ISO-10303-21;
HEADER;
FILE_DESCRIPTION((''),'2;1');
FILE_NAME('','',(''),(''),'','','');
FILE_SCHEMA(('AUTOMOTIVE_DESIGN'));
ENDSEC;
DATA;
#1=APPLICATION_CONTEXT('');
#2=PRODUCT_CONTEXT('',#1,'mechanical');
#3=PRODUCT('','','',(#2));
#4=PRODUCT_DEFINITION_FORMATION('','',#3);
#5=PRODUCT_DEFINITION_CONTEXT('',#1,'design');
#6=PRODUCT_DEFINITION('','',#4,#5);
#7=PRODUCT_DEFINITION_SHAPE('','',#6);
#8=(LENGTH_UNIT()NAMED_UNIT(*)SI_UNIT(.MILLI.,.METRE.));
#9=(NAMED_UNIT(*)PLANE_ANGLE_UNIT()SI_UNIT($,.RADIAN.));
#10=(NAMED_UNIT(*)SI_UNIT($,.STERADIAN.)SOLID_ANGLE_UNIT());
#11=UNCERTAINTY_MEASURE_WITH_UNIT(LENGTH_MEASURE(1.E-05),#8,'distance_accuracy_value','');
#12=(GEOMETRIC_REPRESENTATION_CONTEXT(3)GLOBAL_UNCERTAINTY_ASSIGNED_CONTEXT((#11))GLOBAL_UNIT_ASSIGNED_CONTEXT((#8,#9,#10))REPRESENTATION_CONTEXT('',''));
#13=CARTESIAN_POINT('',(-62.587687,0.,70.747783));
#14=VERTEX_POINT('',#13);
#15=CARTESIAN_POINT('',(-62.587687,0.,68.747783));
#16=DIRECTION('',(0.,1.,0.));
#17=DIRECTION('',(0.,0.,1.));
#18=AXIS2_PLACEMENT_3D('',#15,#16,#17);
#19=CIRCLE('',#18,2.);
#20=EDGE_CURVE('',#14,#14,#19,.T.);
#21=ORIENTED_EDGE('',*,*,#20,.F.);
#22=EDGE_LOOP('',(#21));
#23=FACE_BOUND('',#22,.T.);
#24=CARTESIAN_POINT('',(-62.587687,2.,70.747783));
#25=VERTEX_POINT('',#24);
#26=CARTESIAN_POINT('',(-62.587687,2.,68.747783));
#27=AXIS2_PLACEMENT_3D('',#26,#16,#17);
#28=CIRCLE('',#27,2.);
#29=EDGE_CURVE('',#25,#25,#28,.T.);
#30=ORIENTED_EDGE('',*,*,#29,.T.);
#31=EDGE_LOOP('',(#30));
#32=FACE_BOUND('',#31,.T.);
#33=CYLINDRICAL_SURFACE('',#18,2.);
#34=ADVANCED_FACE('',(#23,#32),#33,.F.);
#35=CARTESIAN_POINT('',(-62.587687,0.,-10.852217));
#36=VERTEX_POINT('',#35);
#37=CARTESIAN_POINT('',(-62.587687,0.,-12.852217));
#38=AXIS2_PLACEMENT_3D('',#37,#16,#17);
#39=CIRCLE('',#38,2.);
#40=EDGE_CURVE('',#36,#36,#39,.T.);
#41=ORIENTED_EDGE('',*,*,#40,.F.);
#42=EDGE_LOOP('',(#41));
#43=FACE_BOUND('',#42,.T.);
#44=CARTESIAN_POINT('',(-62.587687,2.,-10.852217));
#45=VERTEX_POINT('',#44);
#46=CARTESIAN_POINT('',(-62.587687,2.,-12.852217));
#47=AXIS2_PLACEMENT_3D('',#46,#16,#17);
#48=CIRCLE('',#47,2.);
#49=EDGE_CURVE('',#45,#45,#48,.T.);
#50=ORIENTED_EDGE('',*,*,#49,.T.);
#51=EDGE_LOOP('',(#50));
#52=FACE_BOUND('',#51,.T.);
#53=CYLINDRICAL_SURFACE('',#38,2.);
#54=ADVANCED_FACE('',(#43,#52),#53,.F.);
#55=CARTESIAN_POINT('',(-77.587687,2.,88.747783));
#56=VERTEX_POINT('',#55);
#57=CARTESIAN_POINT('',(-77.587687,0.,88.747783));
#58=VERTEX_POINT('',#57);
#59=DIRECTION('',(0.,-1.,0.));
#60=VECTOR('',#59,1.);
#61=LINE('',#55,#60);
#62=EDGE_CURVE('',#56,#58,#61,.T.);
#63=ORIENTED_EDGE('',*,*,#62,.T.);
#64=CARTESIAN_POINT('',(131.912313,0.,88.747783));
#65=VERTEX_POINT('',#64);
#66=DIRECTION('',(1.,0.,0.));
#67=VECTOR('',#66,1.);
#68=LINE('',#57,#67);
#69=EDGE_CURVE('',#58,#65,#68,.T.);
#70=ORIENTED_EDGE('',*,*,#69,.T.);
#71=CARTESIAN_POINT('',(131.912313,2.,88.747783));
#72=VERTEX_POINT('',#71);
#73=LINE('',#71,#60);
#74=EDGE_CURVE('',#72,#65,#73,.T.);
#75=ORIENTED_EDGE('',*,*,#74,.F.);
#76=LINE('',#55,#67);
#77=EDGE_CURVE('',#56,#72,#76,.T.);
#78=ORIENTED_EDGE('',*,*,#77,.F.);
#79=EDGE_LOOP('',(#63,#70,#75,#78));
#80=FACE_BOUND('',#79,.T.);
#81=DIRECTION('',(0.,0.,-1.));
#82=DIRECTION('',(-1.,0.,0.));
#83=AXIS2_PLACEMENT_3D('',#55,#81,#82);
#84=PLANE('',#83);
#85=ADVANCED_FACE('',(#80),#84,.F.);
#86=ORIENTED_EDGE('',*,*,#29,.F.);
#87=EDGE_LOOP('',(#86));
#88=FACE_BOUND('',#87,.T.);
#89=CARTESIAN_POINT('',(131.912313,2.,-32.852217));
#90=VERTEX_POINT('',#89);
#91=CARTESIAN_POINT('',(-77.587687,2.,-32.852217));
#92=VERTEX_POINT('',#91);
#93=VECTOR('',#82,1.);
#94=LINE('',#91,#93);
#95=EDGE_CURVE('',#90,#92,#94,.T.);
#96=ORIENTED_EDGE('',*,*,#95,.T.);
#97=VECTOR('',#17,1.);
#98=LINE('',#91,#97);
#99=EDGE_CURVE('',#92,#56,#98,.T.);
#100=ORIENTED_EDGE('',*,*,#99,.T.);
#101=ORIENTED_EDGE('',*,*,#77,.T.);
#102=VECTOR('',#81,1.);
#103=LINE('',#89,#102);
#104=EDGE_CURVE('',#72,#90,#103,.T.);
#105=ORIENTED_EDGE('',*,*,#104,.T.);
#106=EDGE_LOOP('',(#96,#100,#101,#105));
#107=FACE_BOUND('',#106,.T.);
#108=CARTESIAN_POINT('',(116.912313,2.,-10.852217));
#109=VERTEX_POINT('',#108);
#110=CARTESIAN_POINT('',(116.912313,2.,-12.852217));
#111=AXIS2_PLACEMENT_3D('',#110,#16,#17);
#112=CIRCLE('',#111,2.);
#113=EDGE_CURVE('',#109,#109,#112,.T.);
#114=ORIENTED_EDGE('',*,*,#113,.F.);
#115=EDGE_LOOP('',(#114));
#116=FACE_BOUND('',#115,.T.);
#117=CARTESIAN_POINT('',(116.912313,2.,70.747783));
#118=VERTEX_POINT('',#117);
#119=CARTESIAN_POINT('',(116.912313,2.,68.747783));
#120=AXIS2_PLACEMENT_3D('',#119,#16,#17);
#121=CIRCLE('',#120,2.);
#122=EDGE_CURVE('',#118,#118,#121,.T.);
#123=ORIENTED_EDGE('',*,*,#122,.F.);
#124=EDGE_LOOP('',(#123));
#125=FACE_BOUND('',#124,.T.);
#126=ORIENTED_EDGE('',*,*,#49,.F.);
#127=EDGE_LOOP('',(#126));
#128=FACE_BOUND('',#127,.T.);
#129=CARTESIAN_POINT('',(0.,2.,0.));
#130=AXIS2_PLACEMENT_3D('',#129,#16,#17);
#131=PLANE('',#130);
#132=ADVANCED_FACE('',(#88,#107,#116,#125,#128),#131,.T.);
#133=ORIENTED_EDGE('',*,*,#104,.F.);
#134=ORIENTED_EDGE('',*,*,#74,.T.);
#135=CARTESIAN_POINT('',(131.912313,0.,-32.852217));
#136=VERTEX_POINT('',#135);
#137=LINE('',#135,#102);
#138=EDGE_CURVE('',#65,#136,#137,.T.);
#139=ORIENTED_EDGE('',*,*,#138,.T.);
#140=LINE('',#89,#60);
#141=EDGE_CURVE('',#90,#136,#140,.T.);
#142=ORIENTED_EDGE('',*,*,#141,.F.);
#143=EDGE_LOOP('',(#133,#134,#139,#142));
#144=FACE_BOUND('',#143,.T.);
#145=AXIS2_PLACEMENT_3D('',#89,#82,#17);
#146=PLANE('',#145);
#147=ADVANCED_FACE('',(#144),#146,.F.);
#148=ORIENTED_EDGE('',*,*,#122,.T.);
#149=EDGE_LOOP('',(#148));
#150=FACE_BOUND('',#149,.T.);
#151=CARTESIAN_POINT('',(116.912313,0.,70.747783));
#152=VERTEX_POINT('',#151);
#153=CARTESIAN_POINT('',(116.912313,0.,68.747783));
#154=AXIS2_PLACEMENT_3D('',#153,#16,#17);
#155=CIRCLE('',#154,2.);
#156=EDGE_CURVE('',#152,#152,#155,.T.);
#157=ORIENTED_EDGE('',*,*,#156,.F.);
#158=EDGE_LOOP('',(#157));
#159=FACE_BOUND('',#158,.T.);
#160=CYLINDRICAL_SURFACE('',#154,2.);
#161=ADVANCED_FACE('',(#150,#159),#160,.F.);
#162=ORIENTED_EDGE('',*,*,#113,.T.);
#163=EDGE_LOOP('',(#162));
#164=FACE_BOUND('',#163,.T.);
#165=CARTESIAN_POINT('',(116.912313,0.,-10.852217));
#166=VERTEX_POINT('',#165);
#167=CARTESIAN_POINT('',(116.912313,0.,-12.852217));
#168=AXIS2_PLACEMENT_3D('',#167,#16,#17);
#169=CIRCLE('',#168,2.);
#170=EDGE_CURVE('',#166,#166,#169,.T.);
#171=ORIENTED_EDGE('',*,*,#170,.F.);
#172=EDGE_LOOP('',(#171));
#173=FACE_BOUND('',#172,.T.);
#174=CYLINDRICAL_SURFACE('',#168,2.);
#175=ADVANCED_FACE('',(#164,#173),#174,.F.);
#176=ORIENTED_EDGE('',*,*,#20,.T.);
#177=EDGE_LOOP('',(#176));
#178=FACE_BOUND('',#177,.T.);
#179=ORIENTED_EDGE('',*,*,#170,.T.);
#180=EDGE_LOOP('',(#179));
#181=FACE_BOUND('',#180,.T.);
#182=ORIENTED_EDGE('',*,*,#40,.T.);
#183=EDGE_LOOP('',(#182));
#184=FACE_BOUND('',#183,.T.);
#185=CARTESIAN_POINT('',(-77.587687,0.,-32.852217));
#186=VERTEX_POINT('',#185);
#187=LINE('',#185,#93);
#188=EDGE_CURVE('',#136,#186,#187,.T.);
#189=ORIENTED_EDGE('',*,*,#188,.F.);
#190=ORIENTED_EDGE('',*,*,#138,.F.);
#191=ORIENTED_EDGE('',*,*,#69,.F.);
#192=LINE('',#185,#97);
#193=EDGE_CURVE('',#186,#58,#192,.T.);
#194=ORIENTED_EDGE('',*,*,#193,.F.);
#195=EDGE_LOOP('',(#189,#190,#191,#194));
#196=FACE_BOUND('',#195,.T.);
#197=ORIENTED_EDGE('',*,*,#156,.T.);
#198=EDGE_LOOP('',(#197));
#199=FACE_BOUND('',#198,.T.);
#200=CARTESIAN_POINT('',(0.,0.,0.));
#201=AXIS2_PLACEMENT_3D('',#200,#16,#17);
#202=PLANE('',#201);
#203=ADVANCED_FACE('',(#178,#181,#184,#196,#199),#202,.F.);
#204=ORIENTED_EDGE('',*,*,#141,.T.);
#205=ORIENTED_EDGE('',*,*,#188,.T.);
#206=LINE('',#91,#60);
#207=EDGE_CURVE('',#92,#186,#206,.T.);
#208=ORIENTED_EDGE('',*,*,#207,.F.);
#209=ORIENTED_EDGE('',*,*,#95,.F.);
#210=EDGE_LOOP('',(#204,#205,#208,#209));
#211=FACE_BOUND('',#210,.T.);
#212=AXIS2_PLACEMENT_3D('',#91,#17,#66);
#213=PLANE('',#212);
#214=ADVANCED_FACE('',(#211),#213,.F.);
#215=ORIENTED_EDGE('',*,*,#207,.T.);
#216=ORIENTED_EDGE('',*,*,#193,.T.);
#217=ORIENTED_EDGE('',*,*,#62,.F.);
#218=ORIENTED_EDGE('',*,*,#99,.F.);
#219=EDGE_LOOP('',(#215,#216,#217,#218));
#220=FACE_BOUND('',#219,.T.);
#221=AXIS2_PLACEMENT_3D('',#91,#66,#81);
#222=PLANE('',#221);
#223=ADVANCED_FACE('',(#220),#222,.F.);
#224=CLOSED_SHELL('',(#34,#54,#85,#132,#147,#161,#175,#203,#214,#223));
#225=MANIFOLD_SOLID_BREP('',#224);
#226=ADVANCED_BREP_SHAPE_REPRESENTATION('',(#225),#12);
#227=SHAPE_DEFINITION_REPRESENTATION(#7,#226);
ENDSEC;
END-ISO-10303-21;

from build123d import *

# Parameters (mm, degrees)
SKETCH1_W               = 209.5
SKETCH1_H               = 121.6
BOSS_EXTRUDE1_DEPTH     = 2
CUT_EXTRUDE1_DEPTH      = 160.000086316
CUT_EXTRUDE1_DEPTH_BACK = 160.000086316
SKETCH2_R               = 2


with BuildPart() as part:
    # Sketch1 → Boss-Extrude1 (new body)
    with BuildSketch(Plane(origin=(0, 0, 0), x_dir=(1, 0, 0), z_dir=(0, 1, 0))):
        with Locations((27.162313362, -27.947783251)):
            Rectangle(SKETCH1_W, SKETCH1_H)
    extrude(amount=BOSS_EXTRUDE1_DEPTH)

    # Sketch2 → Cut-Extrude1 (cut, two sides: drawn at the far end of the back side and taken through both)
    with BuildSketch(Plane(origin=(0, 2, 0), x_dir=(1, 0, 0), z_dir=(0, 1, 0)).offset(-CUT_EXTRUDE1_DEPTH_BACK)):
        with Locations(Location((-62.587686638, 12.852216749, 0), (0, 0, 270))):
            Circle(SKETCH2_R)
        with Locations(Location((116.912313362, 12.852216749, 0), (0, 0, 270))):
            Circle(SKETCH2_R)
        with Locations(Location((-62.587686638, -68.747783251, 0), (0, 0, 270))):
            Circle(SKETCH2_R)
        with Locations(Location((116.912313362, -68.747783251, 0), (0, 0, 270))):
            Circle(SKETCH2_R)
    extrude(amount=CUT_EXTRUDE1_DEPTH + CUT_EXTRUDE1_DEPTH_BACK, mode=Mode.SUBTRACT)


solid = part.part
